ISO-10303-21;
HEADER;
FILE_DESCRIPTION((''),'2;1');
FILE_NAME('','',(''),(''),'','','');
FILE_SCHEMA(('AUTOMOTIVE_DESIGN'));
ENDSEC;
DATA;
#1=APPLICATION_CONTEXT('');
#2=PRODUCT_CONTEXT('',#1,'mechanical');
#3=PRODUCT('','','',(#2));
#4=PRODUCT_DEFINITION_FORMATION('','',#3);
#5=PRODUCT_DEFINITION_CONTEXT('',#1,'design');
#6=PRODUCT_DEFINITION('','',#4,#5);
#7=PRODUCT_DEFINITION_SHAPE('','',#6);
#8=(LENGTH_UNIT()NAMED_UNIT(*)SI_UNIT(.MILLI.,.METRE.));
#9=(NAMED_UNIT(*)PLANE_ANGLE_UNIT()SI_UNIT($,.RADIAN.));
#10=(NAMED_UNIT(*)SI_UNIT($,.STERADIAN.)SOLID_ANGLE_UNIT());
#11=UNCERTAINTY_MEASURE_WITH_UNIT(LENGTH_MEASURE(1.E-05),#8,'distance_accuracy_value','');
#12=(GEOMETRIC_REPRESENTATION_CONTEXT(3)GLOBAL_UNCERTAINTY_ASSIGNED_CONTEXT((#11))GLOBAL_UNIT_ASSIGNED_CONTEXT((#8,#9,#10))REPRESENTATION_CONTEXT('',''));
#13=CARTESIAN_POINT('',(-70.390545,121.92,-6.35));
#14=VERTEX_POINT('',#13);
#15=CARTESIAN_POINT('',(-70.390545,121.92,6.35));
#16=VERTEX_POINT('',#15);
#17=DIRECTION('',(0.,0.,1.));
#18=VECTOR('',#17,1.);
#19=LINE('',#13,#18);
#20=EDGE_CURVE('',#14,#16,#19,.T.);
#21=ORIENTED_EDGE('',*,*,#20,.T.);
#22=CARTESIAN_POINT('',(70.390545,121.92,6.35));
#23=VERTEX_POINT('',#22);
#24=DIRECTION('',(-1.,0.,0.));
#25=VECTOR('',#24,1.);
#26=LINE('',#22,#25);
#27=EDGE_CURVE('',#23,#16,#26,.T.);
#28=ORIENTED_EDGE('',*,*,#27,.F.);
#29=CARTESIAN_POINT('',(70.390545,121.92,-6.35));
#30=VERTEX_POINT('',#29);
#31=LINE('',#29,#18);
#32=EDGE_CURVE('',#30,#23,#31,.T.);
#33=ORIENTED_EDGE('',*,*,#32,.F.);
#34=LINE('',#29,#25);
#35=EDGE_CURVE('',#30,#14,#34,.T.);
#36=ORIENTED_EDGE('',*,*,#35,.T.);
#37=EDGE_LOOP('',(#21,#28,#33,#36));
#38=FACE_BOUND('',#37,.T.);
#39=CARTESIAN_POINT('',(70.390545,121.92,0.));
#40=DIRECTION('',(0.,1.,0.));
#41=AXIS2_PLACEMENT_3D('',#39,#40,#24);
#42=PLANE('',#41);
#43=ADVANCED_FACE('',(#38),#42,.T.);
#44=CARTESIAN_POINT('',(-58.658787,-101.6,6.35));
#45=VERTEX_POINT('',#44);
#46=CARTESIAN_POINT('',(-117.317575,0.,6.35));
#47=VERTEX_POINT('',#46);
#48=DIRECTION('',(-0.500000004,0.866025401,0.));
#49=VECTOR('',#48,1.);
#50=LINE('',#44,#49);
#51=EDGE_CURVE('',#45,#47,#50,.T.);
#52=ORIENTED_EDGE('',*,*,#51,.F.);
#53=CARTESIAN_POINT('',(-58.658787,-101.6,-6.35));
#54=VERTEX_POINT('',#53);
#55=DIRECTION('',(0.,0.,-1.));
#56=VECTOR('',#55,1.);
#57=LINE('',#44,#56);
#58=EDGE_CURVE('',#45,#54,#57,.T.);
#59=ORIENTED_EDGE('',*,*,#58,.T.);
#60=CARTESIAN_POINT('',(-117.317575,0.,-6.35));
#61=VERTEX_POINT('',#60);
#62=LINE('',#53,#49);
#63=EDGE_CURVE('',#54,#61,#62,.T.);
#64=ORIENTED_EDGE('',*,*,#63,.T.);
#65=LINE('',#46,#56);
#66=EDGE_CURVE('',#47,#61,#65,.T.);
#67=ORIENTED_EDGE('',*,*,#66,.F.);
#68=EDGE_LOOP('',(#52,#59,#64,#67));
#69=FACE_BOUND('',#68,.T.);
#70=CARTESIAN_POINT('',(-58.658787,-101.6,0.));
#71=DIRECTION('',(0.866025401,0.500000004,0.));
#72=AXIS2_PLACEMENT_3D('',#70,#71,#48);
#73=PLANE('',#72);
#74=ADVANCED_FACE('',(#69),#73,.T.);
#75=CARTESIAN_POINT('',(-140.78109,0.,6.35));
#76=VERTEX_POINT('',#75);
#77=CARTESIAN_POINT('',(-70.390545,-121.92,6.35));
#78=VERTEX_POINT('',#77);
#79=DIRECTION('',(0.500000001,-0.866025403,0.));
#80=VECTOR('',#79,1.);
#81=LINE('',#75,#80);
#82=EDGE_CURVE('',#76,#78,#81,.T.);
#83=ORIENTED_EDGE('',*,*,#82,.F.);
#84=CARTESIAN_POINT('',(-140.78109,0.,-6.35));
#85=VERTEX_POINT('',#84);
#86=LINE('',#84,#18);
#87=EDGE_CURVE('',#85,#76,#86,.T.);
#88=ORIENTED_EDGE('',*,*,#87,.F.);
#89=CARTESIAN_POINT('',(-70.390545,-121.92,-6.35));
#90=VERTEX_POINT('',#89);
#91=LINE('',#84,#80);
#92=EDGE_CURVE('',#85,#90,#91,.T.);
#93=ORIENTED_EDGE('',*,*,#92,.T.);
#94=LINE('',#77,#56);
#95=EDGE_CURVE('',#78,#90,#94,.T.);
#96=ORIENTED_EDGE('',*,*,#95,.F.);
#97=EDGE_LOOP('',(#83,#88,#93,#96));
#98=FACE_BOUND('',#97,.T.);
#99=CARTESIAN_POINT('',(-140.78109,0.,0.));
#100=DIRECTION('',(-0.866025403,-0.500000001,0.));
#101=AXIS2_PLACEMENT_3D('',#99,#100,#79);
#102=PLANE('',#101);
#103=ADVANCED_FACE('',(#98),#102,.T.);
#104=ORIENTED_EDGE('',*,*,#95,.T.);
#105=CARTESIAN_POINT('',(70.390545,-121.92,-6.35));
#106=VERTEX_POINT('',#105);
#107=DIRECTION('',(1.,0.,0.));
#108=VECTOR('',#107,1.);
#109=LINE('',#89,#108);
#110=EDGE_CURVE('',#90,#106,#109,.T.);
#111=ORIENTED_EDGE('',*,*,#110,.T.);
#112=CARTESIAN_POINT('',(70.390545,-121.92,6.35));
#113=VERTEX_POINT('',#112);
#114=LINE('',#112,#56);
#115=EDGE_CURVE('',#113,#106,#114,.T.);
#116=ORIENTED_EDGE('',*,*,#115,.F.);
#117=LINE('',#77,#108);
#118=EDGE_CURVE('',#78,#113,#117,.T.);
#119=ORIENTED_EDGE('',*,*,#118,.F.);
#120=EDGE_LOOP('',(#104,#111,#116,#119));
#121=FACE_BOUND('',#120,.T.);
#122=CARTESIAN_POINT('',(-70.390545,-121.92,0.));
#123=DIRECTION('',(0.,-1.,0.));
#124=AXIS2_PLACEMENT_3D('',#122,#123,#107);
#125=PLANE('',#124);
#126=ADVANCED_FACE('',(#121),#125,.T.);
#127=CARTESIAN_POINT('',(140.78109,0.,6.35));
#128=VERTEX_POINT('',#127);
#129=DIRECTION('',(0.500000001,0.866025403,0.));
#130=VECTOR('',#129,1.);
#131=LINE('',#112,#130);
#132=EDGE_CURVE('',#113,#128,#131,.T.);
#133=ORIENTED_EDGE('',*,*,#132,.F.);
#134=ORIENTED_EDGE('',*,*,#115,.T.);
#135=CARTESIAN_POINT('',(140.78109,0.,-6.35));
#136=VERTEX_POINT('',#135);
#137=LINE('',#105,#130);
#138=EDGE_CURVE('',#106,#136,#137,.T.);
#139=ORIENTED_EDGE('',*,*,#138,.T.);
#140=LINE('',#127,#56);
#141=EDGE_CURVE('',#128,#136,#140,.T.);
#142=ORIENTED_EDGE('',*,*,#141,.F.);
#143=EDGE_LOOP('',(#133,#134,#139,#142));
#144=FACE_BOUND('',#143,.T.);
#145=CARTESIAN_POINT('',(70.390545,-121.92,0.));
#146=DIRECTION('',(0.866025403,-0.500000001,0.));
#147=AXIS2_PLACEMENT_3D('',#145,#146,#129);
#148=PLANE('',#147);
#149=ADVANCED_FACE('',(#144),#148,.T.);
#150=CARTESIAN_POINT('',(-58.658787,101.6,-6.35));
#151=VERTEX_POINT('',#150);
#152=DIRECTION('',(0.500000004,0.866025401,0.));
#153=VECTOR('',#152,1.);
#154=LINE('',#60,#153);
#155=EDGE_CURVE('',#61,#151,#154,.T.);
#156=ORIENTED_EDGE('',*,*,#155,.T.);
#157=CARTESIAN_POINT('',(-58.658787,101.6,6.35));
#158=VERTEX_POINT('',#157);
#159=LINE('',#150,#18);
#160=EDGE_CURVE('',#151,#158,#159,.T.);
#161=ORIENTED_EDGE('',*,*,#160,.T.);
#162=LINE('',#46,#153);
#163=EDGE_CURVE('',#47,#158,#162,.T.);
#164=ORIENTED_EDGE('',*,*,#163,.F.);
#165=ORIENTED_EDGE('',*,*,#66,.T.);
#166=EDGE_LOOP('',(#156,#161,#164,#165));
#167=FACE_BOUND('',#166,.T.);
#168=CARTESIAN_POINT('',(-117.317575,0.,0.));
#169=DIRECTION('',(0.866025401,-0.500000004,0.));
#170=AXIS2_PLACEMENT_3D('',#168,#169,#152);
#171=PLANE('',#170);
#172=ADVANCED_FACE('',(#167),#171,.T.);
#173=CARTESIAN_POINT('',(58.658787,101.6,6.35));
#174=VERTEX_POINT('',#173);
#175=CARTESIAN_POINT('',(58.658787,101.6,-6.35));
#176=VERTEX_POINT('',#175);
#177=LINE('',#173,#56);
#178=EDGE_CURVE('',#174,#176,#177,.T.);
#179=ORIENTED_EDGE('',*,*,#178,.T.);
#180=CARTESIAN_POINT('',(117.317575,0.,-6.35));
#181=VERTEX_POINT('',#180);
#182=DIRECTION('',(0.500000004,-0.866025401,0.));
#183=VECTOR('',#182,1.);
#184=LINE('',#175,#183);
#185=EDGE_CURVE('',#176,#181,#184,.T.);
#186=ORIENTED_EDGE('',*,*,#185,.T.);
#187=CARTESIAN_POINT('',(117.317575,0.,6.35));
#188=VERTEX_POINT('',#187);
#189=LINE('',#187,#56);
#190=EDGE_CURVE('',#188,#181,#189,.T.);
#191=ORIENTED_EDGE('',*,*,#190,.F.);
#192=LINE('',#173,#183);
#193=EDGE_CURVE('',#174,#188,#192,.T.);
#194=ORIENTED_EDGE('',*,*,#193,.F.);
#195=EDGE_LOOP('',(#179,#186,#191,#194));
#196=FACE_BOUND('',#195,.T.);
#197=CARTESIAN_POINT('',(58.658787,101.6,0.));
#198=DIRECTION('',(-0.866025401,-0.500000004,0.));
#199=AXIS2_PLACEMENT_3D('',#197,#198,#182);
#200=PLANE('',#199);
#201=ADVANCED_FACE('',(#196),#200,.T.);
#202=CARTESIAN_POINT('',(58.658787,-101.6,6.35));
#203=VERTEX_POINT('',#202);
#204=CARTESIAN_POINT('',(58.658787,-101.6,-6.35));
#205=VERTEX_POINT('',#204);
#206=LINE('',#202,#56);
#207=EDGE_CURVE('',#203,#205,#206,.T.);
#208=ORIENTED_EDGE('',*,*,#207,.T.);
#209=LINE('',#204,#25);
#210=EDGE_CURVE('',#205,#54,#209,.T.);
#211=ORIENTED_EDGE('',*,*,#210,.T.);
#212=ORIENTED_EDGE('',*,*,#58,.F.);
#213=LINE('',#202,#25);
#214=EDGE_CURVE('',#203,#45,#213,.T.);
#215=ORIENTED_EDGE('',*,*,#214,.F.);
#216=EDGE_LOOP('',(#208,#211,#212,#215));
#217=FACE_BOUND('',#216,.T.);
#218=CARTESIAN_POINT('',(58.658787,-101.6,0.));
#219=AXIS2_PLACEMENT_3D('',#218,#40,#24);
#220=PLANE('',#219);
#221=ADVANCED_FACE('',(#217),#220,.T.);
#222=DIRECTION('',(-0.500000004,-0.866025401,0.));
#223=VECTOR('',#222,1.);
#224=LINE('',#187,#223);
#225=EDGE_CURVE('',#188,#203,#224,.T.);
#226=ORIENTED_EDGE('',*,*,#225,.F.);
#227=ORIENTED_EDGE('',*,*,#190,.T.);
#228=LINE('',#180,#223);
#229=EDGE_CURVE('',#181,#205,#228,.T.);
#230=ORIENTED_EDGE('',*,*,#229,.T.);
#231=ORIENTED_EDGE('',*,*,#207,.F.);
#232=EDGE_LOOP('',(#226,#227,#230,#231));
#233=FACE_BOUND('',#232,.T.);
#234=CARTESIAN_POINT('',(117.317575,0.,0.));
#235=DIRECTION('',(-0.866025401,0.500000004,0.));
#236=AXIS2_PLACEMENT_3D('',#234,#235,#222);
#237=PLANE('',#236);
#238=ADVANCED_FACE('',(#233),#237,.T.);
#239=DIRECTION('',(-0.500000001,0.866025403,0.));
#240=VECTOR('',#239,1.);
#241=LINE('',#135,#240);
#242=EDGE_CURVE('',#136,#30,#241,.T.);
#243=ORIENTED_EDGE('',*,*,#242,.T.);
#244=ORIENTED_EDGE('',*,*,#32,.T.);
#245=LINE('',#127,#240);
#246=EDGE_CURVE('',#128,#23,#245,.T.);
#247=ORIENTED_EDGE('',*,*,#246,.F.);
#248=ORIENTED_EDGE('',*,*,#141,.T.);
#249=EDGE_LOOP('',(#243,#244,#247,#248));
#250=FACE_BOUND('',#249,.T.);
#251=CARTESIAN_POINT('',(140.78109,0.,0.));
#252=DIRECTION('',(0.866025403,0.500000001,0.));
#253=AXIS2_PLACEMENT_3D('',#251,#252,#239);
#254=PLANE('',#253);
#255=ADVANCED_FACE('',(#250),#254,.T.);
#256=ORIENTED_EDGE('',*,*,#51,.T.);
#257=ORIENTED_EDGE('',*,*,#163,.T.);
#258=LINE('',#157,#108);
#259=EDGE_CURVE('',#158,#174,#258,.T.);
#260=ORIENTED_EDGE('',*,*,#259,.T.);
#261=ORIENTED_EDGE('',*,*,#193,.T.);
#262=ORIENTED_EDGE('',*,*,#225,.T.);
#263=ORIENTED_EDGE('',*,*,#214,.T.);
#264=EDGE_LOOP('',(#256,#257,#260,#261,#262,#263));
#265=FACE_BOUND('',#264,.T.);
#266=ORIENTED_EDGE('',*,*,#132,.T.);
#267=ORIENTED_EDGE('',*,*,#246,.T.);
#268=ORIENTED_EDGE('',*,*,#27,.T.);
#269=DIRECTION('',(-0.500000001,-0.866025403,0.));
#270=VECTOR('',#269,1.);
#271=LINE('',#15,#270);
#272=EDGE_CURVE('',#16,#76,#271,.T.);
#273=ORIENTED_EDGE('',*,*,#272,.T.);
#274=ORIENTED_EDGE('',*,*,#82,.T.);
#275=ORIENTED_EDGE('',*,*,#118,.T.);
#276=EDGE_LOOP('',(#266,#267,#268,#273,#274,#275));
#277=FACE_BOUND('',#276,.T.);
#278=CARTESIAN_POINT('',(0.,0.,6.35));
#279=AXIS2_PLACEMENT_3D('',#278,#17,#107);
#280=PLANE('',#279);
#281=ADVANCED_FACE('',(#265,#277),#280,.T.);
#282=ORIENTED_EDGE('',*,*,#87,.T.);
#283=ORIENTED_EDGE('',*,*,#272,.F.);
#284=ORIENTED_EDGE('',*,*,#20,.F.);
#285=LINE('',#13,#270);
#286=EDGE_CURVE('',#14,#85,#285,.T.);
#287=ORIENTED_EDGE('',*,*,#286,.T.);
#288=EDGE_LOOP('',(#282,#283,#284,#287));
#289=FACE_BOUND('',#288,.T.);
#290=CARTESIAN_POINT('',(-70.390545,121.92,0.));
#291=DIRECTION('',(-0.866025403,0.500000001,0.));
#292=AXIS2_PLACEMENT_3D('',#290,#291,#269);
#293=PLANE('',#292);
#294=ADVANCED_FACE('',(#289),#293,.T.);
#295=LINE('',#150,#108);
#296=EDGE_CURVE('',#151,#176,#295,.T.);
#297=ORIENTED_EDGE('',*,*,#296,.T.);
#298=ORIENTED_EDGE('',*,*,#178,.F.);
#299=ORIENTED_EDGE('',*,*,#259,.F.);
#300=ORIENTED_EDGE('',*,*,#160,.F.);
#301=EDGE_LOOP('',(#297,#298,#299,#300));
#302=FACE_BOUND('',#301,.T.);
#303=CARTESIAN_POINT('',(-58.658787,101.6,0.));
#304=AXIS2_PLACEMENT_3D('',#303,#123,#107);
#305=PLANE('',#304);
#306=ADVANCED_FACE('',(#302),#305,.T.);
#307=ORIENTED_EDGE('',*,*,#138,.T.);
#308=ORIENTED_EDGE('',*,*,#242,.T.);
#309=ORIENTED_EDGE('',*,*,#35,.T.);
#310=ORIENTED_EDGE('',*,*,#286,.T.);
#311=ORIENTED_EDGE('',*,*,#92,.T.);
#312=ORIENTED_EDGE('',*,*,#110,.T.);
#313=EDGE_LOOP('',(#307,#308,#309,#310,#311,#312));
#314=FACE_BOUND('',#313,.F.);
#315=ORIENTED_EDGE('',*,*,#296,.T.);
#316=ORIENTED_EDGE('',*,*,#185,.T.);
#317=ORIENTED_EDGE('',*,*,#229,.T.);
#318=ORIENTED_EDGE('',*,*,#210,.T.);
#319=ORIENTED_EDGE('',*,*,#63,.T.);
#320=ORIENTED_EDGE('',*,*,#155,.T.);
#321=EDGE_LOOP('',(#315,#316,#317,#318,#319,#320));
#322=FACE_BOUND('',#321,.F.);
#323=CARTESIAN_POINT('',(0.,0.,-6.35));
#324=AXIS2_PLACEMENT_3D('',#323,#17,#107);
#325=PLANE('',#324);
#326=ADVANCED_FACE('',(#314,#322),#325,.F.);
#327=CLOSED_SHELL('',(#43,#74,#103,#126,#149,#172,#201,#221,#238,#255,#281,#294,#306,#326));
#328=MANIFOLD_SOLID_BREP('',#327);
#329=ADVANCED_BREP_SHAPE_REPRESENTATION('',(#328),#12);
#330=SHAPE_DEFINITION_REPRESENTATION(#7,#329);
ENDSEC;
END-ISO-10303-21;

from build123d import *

# Parameters (mm, degrees)
F1_DEPTH = 6.35


with BuildPart() as f1:
    # F0 (on Top) → F1 (new body, symmetric)
    with BuildSketch(Plane.XY):
        Polygon((140.78109, 0), (70.390545, 121.92), (-70.390545, 121.92), (-140.78109, 0), (-70.390545, -121.92), (70.390545, -121.92), align=None)
        Polygon((-58.658787, 101.6), (58.658787, 101.6), (117.317575, 0), (58.658787, -101.6), (-58.658787, -101.6), (-117.317575, 0), align=None, mode=Mode.SUBTRACT)
    extrude(amount=F1_DEPTH, both=True)


solid = f1.part
